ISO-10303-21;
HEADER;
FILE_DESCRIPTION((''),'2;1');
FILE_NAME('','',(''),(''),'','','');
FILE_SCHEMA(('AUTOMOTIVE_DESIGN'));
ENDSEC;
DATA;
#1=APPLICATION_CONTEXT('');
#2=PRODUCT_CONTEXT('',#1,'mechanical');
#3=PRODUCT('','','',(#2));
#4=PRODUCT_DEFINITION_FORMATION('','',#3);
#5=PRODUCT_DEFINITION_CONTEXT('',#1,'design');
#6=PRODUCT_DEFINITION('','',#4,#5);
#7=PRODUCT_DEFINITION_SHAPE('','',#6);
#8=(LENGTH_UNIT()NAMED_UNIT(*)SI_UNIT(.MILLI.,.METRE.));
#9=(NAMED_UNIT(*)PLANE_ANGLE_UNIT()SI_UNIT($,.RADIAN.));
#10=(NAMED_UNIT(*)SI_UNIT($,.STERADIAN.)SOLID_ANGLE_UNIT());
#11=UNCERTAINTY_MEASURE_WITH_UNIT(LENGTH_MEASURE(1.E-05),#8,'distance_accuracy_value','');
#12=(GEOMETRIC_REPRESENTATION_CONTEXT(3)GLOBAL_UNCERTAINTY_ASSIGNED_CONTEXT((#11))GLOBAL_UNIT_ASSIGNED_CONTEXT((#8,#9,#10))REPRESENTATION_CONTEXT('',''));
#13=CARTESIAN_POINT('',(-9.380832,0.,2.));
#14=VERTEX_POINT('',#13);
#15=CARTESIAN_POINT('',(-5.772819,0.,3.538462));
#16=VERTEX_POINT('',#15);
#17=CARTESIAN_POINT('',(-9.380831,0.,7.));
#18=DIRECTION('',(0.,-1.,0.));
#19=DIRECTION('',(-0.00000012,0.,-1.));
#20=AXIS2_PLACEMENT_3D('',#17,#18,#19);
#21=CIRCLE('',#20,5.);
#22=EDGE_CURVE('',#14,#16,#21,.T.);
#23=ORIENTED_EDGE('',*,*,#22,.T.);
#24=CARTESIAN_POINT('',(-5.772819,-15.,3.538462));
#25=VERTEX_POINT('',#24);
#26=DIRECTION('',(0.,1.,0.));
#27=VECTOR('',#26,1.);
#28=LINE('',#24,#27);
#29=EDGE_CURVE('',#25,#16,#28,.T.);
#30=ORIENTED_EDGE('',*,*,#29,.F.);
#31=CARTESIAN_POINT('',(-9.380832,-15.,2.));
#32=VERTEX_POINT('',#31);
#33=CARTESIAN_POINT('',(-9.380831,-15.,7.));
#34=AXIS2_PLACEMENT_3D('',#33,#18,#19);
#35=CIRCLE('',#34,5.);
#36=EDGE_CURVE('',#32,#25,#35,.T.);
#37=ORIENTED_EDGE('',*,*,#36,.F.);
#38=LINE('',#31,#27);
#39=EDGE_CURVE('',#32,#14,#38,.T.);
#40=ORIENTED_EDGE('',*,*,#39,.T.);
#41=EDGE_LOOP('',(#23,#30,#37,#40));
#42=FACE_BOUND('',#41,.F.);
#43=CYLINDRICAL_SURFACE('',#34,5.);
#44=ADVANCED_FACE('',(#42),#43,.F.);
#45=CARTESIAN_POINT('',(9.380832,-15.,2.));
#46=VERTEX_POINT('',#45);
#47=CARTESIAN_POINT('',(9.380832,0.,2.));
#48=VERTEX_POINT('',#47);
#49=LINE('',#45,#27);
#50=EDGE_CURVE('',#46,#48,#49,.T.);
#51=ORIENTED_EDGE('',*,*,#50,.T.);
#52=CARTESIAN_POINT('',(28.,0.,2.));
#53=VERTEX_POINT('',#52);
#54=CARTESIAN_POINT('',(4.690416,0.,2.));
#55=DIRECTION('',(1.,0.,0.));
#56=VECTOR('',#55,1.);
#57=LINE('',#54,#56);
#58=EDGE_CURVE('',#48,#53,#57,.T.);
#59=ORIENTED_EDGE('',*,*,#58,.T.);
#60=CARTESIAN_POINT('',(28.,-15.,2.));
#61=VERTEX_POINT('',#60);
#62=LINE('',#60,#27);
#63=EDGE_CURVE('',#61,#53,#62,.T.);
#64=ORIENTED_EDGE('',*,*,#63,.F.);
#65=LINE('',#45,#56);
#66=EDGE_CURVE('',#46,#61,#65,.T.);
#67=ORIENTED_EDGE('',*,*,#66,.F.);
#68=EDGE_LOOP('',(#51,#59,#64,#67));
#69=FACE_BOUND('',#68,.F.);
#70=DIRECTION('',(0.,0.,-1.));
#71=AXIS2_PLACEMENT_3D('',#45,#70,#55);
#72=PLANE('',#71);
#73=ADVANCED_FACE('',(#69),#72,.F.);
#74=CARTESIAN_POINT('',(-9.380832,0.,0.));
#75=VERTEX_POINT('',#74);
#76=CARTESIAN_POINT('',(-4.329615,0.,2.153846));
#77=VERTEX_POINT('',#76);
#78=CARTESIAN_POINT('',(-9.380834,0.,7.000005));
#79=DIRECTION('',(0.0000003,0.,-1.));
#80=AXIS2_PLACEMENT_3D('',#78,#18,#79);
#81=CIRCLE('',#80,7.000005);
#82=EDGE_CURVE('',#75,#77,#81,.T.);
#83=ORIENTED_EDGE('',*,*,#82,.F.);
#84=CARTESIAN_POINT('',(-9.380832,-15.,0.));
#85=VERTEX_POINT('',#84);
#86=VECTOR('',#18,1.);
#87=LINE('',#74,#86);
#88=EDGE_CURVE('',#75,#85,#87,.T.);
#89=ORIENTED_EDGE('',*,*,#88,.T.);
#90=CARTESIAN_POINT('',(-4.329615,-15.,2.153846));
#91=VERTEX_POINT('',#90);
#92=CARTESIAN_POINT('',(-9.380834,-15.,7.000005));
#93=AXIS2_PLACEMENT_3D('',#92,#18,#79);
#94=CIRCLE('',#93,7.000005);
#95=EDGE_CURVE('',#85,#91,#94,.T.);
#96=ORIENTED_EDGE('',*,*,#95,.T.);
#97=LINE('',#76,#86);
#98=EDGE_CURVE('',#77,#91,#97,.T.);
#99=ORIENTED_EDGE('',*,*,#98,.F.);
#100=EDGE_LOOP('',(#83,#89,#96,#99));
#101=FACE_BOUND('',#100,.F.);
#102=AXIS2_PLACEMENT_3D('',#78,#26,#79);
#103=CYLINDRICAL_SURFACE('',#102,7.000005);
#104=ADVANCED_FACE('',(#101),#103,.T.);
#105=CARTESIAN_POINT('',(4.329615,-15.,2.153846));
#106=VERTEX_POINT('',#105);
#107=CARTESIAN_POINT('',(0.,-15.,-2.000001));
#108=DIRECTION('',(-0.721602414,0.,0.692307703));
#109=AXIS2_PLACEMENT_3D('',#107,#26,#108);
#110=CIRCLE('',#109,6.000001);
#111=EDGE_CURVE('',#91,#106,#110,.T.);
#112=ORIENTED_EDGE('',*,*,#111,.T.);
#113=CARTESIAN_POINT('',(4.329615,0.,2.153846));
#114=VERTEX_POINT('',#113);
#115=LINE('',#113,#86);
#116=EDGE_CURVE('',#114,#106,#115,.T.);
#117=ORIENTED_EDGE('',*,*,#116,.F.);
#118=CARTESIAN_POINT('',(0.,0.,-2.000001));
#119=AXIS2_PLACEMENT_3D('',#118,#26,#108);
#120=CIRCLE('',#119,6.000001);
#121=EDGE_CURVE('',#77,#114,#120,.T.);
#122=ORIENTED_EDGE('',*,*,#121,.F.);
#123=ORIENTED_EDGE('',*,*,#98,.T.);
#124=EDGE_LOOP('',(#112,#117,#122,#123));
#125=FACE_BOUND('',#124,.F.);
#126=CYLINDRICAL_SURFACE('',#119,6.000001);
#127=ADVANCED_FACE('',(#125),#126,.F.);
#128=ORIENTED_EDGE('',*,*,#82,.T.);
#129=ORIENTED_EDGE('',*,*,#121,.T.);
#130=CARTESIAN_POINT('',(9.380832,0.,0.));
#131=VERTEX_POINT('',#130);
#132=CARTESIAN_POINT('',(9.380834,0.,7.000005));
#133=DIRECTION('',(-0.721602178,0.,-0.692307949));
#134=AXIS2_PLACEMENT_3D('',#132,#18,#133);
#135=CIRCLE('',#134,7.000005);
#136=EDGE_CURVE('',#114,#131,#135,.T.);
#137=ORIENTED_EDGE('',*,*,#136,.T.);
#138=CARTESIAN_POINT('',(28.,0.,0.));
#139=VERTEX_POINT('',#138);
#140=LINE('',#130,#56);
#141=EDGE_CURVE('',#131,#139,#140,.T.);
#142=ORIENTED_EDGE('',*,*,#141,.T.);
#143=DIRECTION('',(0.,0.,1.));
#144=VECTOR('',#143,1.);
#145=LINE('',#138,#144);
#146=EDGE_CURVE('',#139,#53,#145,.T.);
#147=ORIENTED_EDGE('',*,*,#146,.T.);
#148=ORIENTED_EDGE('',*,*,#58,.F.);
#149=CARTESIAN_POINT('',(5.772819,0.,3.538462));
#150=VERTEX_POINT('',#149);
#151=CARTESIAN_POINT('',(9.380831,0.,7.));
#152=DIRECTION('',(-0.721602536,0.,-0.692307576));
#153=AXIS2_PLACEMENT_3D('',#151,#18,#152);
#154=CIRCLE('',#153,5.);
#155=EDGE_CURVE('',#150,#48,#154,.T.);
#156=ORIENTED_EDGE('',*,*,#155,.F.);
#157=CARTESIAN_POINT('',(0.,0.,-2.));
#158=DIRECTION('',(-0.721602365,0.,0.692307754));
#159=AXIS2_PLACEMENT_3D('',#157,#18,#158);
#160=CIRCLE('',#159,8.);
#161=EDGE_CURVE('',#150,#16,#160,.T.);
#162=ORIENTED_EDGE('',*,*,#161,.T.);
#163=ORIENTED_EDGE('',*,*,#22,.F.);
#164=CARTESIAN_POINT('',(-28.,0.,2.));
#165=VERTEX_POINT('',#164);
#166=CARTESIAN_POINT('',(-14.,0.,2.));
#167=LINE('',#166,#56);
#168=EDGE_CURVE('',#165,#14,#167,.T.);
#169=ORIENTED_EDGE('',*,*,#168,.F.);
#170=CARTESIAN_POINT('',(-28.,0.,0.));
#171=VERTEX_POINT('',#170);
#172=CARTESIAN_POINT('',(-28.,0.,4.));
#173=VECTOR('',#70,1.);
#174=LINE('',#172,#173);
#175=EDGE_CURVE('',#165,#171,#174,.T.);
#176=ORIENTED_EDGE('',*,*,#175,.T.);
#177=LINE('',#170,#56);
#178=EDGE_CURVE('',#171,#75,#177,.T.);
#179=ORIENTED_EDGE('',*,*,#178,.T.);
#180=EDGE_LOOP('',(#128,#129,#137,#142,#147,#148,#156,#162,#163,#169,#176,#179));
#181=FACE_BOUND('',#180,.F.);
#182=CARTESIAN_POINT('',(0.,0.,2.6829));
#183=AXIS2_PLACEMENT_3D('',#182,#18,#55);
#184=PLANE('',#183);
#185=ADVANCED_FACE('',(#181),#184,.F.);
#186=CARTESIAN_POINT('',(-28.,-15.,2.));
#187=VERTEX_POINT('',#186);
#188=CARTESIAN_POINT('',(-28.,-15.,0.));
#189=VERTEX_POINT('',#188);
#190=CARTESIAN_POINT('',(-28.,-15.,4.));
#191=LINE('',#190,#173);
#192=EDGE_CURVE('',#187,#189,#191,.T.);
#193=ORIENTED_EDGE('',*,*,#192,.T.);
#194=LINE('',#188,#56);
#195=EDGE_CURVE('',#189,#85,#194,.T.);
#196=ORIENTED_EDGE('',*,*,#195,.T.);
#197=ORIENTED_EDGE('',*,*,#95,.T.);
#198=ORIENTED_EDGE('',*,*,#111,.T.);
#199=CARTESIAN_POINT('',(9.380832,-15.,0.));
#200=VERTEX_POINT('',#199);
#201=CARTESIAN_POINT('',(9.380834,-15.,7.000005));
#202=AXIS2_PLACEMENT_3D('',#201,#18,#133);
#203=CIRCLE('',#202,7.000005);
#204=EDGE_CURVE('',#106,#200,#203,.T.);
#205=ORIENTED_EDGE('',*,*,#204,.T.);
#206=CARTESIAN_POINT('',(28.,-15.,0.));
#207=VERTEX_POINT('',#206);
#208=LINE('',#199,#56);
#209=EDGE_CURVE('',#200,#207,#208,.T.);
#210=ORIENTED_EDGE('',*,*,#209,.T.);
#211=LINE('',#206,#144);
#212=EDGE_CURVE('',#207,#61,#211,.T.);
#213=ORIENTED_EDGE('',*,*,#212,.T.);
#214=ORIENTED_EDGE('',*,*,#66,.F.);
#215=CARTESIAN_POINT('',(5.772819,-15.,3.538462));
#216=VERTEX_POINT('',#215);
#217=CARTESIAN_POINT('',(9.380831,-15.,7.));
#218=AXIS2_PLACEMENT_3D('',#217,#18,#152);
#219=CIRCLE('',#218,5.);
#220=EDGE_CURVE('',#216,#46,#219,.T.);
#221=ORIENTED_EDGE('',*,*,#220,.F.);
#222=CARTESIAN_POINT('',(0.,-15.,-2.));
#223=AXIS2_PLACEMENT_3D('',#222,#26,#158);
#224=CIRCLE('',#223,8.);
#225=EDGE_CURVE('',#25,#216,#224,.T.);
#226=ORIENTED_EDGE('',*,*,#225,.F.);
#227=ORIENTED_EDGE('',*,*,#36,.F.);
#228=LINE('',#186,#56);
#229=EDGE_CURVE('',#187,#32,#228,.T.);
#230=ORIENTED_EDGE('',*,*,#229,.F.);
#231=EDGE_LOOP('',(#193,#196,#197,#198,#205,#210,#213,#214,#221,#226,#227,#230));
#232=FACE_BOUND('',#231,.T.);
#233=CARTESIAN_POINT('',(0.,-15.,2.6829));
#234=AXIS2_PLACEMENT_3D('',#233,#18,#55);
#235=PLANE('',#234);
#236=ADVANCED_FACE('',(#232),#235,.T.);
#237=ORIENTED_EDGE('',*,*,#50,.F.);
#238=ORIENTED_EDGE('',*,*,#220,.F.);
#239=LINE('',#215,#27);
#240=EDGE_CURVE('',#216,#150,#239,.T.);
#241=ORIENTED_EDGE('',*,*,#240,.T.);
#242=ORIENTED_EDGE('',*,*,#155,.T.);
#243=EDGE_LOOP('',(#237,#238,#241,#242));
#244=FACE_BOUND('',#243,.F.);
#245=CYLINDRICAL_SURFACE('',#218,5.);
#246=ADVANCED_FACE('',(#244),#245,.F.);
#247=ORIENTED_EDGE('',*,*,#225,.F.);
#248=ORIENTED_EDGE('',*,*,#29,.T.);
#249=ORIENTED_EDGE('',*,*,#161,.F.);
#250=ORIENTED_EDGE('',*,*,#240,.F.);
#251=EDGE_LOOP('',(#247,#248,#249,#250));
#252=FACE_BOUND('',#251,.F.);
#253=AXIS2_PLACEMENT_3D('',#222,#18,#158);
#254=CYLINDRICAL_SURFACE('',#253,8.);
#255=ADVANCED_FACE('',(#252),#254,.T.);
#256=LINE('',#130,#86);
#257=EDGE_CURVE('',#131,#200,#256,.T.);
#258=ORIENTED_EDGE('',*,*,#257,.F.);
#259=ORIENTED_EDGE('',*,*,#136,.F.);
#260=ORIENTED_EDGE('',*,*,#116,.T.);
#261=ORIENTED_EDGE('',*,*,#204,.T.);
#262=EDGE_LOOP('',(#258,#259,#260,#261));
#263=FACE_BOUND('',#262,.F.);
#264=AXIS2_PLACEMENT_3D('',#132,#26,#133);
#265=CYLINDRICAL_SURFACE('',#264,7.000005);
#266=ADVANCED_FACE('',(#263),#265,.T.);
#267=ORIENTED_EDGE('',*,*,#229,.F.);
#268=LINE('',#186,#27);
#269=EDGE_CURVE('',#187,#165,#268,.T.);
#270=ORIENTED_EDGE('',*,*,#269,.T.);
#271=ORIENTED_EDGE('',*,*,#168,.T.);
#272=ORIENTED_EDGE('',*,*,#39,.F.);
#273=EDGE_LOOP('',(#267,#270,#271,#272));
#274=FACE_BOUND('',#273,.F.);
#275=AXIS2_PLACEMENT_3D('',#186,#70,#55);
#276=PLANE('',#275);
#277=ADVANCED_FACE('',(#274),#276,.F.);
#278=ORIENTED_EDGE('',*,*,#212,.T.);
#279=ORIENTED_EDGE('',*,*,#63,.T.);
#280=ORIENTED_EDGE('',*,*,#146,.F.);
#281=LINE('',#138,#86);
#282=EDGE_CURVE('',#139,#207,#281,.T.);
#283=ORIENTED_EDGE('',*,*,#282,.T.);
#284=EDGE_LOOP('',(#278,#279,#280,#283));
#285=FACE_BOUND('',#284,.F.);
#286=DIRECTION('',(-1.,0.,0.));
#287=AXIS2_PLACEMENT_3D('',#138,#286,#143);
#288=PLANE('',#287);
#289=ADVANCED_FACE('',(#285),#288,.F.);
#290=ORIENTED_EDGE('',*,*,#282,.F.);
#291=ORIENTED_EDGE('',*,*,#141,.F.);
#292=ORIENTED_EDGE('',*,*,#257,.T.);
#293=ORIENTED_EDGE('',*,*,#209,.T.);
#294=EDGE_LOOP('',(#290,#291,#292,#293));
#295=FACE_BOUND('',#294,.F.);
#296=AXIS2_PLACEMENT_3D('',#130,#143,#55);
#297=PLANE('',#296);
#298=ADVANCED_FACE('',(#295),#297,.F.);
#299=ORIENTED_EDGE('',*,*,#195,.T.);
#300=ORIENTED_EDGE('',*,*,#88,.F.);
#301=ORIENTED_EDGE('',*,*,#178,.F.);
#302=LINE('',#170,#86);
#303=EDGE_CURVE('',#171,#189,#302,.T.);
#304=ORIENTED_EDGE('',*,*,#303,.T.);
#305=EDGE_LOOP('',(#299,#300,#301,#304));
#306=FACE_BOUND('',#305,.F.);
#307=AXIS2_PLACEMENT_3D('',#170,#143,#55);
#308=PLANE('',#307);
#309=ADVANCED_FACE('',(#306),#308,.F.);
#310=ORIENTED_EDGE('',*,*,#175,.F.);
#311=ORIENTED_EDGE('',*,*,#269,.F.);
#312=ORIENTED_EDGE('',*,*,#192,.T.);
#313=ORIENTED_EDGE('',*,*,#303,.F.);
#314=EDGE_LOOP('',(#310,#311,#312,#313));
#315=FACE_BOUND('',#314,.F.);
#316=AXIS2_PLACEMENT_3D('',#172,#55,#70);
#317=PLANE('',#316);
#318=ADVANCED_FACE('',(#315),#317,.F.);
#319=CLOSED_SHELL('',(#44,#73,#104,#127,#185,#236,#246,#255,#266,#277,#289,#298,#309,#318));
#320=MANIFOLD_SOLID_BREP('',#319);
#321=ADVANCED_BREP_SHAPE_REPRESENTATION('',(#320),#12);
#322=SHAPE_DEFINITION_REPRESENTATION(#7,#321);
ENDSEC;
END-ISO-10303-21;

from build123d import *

# Parameters (mm, degrees)
F2_DEPTH = 15
F4_DEPTH = 25


with BuildPart() as f2:
    # F0 (on Front) → F2 (new body)
    with BuildSketch(Plane.XZ):
        with BuildLine():
            Line((-28, 4), (-28, 0))
            Line((-28, 0), (-9.380832, 0))
            ThreePointArc((-9.380832, 0), (-6.635206, 0.560937), (-4.329615, 2.153846))
            ThreePointArc((-4.329615, 2.153846), (0, 4), (4.329615, 2.153846))
            ThreePointArc((4.329615, 2.153846), (6.635206, 0.560937), (9.380832, 0))
            Line((9.380832, 0), (28, 0))
            Line((28, 0), (28, 4))
            Line((28, 4), (9.380832, 4))
            ThreePointArc((9.380832, 4), (8.204135, 4.240401), (7.216024, 4.923077))
            ThreePointArc((7.216024, 4.923077), (0, 8), (-7.216024, 4.923077))
            ThreePointArc((-7.216024, 4.923077), (-8.204135, 4.240401), (-9.380832, 4))
            Line((-9.380832, 4), (-28, 4))
        make_face()
    extrude(amount=F2_DEPTH)

    # F3 (on face) → F4 (cut)
    with BuildSketch(Plane.XZ.offset(15)):
        with BuildLine():
            ThreePointArc((-7.216024, 4.923077), (-8.204135, 4.240401), (-9.380832, 4))
            Line((-9.380832, 4), (-28, 4))
            Line((-28, 4), (-28, 2))
            Line((-28, 2), (-9.380832, 2))
            ThreePointArc((-9.380832, 2), (-7.41967, 2.400669), (-5.772819, 3.538462))
            ThreePointArc((-5.772819, 3.538462), (0, 6), (5.772819, 3.538462))
            ThreePointArc((5.772819, 3.538462), (7.41967, 2.400669), (9.380832, 2))
            Line((9.380832, 2), (28, 2))
            Line((28, 2), (28, 4))
            Line((28, 4), (9.380832, 4))
            ThreePointArc((9.380832, 4), (8.204135, 4.240401), (7.216024, 4.923077))
            ThreePointArc((7.216024, 4.923077), (0, 8), (-7.216024, 4.923077))
        make_face()
    extrude(amount=-F4_DEPTH, mode=Mode.SUBTRACT)


solid = f2.part
